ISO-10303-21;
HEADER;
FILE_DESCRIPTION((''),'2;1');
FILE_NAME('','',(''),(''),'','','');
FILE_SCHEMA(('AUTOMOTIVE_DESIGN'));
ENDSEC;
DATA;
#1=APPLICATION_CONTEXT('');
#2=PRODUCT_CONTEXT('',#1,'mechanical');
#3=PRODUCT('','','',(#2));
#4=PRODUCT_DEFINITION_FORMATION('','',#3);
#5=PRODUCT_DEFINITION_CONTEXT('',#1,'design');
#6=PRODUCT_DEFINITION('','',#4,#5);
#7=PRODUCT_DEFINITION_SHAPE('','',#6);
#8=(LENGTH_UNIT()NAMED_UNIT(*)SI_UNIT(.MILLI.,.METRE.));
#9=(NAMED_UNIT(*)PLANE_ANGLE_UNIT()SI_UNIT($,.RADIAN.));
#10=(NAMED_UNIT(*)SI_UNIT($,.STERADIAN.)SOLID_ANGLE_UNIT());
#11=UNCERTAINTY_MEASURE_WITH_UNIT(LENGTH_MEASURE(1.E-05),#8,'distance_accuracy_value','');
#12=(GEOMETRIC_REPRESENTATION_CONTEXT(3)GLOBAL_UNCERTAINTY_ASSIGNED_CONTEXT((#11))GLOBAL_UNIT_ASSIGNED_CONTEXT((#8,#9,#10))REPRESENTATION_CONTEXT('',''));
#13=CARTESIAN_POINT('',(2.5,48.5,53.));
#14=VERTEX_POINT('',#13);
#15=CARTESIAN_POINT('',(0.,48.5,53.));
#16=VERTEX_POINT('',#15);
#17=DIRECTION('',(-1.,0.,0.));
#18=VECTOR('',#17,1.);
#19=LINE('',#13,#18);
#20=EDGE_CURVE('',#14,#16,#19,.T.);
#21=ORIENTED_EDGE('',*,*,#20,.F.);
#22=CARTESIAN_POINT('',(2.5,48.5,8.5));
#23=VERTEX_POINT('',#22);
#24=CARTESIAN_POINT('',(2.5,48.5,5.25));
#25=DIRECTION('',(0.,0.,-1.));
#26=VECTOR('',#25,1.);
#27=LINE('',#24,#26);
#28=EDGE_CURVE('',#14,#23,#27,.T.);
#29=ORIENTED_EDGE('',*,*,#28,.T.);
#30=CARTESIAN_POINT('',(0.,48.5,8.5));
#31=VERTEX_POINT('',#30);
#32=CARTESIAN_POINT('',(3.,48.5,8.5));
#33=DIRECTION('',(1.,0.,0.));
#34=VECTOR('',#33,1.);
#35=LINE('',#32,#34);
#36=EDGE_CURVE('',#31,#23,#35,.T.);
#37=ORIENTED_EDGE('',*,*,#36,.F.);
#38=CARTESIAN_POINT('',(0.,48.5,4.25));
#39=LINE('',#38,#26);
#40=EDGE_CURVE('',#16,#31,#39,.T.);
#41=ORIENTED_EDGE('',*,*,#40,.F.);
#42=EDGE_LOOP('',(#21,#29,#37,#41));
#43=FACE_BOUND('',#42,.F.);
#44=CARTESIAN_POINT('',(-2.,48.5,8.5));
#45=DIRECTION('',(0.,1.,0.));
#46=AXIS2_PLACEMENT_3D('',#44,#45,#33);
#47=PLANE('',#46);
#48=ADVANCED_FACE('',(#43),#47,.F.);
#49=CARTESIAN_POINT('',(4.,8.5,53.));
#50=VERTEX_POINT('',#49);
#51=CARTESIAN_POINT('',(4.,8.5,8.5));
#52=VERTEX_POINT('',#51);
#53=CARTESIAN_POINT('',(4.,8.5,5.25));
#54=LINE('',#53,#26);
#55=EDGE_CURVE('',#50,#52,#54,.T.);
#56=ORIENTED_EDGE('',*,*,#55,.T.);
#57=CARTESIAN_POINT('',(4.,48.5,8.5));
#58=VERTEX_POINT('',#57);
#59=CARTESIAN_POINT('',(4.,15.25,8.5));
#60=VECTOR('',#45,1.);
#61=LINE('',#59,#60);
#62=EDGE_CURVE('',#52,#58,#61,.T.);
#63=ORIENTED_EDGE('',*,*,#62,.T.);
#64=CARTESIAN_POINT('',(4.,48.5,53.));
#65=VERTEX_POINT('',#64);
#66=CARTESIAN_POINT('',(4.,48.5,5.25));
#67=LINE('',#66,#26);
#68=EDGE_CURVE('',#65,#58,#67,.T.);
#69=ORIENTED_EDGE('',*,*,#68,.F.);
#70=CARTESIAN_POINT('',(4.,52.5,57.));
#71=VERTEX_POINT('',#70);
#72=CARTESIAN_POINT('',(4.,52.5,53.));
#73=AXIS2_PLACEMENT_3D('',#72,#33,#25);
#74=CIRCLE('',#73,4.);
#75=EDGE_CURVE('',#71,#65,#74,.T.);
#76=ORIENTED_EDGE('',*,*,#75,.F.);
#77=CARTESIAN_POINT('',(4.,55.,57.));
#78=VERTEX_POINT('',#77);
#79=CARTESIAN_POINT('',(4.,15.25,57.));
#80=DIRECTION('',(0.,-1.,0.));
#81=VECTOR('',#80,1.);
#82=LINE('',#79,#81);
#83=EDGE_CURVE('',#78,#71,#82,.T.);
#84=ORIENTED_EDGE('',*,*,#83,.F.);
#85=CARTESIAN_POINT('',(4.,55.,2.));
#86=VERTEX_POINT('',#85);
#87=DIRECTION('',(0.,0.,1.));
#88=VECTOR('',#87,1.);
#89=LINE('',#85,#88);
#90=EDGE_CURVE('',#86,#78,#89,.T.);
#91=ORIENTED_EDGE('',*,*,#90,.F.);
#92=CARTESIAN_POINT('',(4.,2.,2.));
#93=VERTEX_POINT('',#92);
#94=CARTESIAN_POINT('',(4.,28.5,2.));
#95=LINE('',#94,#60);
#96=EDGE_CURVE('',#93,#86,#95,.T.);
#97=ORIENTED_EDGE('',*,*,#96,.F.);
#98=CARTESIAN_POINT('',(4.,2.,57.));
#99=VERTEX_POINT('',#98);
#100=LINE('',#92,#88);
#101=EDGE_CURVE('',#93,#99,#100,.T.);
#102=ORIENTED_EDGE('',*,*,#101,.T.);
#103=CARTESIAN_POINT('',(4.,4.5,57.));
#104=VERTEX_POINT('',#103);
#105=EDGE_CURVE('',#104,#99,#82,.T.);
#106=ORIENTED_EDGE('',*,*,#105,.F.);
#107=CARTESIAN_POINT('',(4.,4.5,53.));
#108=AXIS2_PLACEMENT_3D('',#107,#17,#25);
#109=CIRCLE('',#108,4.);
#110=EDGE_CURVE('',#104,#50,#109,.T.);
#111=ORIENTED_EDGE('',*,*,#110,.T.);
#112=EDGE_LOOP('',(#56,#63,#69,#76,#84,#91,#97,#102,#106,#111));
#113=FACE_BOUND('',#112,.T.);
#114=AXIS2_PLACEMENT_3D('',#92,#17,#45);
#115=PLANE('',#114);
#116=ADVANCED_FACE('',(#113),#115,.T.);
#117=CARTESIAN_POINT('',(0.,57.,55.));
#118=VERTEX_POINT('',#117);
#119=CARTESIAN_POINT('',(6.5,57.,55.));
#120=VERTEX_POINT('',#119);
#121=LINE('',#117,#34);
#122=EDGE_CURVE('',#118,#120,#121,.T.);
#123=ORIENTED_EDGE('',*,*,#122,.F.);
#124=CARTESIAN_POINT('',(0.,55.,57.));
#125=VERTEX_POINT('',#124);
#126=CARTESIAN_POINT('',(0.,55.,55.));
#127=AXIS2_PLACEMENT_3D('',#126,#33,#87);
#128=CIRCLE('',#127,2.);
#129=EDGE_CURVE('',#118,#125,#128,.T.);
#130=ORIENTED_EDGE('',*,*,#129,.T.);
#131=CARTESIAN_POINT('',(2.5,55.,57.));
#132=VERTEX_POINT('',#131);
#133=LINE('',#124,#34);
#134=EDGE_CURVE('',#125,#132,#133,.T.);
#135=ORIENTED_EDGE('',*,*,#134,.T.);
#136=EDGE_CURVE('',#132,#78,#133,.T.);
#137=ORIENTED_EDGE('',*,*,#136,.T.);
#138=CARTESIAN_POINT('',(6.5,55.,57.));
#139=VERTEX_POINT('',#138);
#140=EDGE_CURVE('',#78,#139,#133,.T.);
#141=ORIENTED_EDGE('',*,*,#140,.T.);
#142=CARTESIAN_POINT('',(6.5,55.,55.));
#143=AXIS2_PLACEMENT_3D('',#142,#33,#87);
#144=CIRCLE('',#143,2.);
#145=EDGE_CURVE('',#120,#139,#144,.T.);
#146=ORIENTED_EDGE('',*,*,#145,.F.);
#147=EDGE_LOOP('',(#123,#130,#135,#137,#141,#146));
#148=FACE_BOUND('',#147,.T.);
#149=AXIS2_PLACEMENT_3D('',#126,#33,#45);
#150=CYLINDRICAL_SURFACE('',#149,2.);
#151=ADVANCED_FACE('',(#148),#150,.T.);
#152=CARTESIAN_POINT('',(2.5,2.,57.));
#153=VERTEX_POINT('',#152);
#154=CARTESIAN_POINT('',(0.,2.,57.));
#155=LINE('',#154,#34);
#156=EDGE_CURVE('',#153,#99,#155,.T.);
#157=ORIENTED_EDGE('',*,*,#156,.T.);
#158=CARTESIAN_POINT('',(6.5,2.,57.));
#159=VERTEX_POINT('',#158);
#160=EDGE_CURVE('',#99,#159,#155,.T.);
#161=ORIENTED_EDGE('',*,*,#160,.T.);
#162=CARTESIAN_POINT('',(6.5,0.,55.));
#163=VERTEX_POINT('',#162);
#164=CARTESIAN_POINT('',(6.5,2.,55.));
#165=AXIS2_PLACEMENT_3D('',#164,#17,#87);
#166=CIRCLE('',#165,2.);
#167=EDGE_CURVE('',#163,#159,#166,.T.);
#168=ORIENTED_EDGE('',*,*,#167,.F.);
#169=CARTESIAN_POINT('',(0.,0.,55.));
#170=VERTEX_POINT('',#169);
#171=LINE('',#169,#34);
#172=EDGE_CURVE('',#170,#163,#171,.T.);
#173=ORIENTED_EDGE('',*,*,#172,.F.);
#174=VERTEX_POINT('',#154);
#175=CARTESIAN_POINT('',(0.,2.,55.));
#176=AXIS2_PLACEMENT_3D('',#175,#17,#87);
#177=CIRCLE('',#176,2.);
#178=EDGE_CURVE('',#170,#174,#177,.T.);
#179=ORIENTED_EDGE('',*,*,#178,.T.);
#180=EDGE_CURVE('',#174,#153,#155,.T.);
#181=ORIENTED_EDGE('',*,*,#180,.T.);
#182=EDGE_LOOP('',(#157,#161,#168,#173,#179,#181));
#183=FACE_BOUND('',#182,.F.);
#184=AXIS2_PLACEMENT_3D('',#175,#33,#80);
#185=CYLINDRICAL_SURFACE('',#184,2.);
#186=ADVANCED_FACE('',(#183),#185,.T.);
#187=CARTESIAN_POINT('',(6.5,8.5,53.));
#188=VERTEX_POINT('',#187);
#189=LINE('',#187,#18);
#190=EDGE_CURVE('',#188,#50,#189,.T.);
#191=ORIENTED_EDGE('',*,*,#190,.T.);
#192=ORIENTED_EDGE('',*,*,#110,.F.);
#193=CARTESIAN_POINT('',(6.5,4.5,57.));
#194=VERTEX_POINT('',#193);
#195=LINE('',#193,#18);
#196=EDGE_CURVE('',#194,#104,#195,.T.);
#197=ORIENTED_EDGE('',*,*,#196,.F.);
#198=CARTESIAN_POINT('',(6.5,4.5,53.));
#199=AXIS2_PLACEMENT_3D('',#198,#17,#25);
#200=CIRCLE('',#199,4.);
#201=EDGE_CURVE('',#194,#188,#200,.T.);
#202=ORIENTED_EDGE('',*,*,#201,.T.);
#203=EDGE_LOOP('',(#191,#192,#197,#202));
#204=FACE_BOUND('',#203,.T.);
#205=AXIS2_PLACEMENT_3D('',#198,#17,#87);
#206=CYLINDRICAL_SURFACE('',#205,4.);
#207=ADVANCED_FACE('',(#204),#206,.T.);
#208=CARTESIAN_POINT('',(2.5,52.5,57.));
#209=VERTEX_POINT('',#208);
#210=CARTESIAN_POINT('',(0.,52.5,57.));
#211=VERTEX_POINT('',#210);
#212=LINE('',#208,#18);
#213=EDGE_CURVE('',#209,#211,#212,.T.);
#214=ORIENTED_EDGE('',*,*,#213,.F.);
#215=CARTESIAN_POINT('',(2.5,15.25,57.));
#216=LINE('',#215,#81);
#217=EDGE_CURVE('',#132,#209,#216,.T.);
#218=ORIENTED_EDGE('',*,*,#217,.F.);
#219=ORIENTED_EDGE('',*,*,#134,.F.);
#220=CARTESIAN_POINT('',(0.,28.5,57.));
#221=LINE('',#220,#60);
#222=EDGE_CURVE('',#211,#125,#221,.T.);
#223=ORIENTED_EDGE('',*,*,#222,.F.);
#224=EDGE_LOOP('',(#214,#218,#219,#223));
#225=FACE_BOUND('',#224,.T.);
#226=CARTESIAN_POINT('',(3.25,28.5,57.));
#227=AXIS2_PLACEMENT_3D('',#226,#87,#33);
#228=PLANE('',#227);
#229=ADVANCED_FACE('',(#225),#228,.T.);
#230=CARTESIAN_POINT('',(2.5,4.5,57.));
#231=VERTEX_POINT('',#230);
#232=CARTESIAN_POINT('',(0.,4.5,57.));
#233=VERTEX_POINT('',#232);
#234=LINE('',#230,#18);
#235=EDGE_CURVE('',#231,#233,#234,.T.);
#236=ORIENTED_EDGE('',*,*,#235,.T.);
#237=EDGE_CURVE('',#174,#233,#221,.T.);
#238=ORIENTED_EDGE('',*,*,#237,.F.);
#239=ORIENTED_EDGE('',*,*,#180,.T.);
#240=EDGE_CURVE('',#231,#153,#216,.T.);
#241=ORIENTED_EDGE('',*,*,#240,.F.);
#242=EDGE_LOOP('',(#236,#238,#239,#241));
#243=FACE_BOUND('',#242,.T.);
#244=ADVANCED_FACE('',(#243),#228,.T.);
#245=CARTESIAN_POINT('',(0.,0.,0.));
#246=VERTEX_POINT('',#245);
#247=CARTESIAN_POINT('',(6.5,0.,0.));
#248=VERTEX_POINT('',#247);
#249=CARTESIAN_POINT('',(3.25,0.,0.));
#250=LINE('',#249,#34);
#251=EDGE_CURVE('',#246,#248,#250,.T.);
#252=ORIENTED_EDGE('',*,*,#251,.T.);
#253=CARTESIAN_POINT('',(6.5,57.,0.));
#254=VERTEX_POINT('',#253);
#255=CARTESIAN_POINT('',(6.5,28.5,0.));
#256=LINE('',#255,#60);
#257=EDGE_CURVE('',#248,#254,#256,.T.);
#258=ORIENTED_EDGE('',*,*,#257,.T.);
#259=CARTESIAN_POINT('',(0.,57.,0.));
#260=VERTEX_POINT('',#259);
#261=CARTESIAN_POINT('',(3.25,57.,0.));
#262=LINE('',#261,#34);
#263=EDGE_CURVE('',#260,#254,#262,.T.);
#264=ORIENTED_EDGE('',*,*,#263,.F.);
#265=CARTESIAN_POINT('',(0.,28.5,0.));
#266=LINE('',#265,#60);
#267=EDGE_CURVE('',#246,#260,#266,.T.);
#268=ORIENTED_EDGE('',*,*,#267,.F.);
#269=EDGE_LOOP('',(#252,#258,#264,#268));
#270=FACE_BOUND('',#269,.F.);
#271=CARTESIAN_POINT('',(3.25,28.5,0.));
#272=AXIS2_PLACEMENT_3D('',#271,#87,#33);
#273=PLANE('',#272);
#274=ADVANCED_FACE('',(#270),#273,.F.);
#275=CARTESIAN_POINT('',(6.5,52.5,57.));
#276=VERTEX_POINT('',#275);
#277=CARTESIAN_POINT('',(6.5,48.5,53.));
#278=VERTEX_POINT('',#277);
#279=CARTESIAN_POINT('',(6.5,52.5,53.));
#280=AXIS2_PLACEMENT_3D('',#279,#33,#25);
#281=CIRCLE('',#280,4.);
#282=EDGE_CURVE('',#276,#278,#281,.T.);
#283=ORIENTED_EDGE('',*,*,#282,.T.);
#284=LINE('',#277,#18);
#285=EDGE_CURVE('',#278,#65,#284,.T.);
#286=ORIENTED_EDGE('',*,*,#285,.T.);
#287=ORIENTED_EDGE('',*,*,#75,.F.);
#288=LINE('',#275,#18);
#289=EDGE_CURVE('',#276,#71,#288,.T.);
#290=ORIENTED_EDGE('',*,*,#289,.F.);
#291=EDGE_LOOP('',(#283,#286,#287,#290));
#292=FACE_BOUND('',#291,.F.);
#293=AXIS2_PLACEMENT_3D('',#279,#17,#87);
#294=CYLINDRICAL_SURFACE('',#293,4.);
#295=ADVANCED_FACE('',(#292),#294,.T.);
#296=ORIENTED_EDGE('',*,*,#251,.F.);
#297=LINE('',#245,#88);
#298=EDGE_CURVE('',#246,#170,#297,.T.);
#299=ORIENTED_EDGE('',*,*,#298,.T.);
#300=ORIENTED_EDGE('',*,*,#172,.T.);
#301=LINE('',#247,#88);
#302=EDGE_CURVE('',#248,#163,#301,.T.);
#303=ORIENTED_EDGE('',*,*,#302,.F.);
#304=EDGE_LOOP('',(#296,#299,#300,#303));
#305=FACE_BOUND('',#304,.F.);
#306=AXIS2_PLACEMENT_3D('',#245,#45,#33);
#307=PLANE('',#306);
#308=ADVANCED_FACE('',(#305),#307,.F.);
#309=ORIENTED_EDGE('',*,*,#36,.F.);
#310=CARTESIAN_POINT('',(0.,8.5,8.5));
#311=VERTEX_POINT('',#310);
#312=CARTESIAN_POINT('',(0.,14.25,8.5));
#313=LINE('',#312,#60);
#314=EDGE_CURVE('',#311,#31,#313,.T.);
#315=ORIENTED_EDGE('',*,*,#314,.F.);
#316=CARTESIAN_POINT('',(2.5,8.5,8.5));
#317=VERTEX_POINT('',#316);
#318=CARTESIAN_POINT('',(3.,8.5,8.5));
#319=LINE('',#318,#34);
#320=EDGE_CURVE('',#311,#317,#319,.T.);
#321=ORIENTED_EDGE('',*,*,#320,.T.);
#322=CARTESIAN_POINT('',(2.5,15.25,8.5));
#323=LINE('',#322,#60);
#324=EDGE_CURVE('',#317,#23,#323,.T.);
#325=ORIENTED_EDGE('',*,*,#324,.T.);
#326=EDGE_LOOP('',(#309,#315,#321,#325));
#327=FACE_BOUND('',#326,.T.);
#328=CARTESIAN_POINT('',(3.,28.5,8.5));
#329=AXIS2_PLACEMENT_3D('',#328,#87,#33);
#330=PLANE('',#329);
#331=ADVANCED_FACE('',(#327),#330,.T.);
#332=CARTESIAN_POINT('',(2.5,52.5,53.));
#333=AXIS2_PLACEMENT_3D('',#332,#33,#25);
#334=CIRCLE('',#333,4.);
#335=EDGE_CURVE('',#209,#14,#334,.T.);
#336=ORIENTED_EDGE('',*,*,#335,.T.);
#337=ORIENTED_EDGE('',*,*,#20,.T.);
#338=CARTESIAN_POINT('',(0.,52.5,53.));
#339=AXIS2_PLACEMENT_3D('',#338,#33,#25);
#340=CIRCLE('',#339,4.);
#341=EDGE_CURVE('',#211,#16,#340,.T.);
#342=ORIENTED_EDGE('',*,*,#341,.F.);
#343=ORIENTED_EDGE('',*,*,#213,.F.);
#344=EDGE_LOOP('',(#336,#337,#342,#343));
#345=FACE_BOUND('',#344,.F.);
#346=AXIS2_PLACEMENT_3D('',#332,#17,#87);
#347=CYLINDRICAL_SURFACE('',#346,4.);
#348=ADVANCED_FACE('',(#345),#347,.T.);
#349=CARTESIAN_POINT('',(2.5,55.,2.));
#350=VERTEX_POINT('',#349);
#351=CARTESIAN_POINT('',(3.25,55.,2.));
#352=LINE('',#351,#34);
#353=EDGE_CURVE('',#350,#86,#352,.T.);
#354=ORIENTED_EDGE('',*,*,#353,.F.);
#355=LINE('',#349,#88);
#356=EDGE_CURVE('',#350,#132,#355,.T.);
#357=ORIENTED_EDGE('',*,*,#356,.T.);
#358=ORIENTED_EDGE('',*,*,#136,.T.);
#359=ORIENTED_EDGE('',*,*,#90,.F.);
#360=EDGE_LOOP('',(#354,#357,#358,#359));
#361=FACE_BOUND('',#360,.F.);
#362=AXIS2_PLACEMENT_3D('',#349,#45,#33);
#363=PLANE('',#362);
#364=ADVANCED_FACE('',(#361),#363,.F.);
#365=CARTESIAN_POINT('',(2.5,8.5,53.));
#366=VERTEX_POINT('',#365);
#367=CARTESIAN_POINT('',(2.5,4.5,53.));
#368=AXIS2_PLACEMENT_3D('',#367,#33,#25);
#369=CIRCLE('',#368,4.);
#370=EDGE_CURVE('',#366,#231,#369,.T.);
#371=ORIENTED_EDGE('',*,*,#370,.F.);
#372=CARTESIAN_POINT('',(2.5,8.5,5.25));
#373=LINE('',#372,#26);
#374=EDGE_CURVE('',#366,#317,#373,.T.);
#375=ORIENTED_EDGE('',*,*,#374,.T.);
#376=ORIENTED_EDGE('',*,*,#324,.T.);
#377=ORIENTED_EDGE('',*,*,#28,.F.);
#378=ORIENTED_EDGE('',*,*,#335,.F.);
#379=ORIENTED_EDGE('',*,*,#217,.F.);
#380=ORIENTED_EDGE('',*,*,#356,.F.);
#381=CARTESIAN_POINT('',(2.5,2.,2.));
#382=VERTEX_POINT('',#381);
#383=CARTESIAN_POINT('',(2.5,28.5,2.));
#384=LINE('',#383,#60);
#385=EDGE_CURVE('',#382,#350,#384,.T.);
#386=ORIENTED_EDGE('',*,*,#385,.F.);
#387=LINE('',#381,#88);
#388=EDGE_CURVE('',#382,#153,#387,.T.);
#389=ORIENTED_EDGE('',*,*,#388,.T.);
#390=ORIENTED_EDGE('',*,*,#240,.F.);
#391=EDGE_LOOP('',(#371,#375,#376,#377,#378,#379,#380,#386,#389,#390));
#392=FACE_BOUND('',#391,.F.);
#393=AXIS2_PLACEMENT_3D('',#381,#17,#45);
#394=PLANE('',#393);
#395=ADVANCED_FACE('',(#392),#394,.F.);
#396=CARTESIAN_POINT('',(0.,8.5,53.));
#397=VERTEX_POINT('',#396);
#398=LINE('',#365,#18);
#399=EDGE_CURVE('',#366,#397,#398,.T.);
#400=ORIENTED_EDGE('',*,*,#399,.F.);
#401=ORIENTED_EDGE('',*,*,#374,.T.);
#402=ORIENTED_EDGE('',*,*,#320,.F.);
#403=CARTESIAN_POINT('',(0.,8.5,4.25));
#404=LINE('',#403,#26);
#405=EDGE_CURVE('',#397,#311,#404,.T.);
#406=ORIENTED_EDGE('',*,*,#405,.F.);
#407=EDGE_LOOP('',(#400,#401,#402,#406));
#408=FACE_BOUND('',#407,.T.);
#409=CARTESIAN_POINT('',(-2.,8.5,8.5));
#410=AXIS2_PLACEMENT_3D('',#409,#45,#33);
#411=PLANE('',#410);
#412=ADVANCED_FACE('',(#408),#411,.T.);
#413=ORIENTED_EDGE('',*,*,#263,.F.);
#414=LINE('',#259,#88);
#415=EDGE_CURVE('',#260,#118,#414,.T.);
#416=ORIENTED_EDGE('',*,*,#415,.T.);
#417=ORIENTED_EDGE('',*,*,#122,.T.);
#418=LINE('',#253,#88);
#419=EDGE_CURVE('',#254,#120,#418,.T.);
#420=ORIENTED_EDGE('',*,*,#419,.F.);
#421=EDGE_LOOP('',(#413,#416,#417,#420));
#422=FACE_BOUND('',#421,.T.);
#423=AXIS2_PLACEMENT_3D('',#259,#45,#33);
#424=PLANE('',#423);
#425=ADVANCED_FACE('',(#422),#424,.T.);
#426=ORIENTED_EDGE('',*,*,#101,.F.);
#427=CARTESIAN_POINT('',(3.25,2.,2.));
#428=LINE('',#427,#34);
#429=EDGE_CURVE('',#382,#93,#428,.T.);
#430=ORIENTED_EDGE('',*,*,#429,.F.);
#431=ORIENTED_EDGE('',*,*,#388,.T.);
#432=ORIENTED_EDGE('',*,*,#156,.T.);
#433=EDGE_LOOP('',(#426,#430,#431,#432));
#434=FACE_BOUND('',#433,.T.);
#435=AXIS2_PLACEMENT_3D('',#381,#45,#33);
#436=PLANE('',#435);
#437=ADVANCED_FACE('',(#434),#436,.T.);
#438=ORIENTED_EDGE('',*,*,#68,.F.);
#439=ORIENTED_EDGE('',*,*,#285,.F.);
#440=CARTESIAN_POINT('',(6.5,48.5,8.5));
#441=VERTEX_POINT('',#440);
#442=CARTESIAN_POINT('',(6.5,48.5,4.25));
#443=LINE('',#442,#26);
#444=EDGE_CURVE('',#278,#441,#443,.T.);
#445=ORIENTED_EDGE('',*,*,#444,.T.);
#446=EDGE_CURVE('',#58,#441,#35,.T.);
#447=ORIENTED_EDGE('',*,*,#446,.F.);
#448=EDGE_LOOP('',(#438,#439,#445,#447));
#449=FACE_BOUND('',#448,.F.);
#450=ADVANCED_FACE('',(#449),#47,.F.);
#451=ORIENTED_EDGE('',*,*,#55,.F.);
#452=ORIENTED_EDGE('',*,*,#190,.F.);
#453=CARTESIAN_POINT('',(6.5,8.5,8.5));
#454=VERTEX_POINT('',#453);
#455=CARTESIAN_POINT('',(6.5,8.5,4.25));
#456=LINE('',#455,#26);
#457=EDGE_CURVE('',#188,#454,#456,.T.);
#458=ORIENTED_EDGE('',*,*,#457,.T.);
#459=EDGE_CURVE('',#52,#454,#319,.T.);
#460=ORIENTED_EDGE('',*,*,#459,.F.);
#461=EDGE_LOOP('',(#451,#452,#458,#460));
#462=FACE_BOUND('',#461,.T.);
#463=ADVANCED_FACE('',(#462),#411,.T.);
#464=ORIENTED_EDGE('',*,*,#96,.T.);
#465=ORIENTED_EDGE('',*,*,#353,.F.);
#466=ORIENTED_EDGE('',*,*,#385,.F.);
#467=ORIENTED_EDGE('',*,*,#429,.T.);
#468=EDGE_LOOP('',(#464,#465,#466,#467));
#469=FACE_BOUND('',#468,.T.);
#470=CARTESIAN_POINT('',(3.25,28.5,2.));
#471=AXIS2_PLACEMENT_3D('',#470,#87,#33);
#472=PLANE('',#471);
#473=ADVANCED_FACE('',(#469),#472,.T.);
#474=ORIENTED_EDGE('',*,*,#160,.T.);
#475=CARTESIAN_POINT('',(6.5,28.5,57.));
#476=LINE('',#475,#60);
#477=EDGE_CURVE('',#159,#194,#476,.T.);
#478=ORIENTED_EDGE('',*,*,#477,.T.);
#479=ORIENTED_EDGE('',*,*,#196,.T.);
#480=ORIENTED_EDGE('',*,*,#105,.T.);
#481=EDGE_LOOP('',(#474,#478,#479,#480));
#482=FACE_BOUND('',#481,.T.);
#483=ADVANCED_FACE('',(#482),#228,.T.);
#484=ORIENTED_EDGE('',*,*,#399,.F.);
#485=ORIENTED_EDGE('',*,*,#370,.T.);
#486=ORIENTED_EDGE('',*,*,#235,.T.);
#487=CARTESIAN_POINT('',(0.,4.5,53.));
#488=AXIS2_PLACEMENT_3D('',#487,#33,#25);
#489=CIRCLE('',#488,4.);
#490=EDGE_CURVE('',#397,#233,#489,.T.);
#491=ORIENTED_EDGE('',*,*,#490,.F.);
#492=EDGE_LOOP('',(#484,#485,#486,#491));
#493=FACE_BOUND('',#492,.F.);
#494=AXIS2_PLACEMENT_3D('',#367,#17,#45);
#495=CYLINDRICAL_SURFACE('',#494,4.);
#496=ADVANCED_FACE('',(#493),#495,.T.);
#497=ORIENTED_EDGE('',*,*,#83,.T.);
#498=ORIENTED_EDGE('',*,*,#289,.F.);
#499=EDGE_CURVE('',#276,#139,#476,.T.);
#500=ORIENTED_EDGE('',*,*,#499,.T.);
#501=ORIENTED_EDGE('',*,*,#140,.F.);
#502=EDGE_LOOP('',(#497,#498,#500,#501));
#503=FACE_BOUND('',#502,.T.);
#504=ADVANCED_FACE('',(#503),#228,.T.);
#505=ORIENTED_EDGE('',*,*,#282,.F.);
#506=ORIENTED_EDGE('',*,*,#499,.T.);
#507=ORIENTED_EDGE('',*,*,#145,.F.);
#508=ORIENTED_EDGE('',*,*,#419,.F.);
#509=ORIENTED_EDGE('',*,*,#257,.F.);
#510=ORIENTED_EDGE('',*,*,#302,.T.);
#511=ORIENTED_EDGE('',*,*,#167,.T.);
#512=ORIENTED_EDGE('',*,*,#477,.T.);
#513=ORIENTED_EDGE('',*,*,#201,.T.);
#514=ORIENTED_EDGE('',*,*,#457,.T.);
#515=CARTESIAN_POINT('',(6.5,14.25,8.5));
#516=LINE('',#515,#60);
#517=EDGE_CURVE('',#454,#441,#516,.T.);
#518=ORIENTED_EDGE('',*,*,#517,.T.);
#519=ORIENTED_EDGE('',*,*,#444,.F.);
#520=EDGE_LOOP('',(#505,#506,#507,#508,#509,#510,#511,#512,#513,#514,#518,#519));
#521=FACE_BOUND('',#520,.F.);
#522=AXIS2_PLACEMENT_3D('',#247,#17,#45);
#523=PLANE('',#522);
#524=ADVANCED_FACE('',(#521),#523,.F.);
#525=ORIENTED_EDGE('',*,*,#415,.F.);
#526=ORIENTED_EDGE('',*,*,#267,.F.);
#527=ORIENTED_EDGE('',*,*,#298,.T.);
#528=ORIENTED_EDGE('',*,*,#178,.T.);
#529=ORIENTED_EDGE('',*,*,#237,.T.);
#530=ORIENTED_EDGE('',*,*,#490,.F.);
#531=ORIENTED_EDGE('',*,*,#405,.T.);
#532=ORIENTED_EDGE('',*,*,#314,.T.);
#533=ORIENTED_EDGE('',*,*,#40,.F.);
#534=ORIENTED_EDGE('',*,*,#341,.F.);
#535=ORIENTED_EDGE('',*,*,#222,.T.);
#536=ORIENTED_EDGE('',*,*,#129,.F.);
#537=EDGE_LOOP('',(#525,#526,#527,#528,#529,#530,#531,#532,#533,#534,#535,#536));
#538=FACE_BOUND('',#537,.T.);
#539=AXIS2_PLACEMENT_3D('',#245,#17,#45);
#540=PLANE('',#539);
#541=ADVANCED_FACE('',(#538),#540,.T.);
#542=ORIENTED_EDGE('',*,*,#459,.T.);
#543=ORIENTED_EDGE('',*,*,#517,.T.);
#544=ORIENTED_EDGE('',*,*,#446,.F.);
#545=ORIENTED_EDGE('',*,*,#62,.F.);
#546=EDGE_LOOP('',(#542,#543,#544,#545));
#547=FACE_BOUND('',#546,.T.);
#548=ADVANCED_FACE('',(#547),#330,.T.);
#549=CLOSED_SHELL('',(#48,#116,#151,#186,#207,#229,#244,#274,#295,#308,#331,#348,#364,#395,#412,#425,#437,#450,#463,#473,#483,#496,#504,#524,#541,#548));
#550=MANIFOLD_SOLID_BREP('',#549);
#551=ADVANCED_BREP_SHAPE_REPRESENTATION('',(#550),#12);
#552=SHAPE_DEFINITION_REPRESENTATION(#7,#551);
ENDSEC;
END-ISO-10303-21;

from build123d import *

# Parameters (mm, degrees)
BOX004_W     = 10
BOX004_H     = 40
BOX004_DEPTH = 100
BOX003_W     = 1.5
BOX003_H     = 53
BOX003_DEPTH = 80
BOX002_W     = 6.5
BOX002_H     = 57
BOX002_DEPTH = 57
FILLET002_R  = 2
FILLET003_R  = 4


with BuildPart() as slide_holder_central_hole:
    # Box004 → Box004 (new body)
    with BuildSketch(Plane(origin=(-2, 8.5, 8.5), x_dir=(1, 0, 0), z_dir=(0, 0, 1))):
        with Locations((5, 20)):
            Rectangle(BOX004_W, BOX004_H)
    extrude(amount=BOX004_DEPTH)


with BuildPart() as slide_holder_hole_fusion:
    # Box003 → Box003 (new body)
    with BuildSketch(Plane(origin=(2.5, 2, 2), x_dir=(1, 0, 0), z_dir=(0, 0, 1))):
        with Locations((0.75, 26.5)):
            Rectangle(BOX003_W, BOX003_H)
    extrude(amount=BOX003_DEPTH)

    # Fusion001: union slide holder central hole
    add(slide_holder_central_hole.part)


with BuildPart() as slider_holder_cut_fillet:
    # Box002 → Box002 (new body)
    with BuildSketch(Plane.XY):
        with Locations((3.25, 28.5)):
            Rectangle(BOX002_W, BOX002_H)
    extrude(amount=BOX002_DEPTH)

    # Fillet002
    fillet002_edges = [slider_holder_cut_fillet.edges().sort_by_distance(p)[0] for p in [
        (3.25, 0, 57),
        (3.25, 57, 57),
    ]]
    fillet(fillet002_edges, radius=FILLET002_R)

    # Cut002: cut slide holder hole fusion
    add(slide_holder_hole_fusion.part, mode=Mode.SUBTRACT)

    # Fillet003
    fillet003_edges = [slider_holder_cut_fillet.edges().sort_by_distance(p)[0] for p in [
        (1.25, 8.5, 57),
        (1.25, 48.5, 57),
        (5.25, 8.5, 57),
        (5.25, 48.5, 57),
    ]]
    fillet(fillet003_edges, radius=FILLET003_R)


solid = slider_holder_cut_fillet.part
